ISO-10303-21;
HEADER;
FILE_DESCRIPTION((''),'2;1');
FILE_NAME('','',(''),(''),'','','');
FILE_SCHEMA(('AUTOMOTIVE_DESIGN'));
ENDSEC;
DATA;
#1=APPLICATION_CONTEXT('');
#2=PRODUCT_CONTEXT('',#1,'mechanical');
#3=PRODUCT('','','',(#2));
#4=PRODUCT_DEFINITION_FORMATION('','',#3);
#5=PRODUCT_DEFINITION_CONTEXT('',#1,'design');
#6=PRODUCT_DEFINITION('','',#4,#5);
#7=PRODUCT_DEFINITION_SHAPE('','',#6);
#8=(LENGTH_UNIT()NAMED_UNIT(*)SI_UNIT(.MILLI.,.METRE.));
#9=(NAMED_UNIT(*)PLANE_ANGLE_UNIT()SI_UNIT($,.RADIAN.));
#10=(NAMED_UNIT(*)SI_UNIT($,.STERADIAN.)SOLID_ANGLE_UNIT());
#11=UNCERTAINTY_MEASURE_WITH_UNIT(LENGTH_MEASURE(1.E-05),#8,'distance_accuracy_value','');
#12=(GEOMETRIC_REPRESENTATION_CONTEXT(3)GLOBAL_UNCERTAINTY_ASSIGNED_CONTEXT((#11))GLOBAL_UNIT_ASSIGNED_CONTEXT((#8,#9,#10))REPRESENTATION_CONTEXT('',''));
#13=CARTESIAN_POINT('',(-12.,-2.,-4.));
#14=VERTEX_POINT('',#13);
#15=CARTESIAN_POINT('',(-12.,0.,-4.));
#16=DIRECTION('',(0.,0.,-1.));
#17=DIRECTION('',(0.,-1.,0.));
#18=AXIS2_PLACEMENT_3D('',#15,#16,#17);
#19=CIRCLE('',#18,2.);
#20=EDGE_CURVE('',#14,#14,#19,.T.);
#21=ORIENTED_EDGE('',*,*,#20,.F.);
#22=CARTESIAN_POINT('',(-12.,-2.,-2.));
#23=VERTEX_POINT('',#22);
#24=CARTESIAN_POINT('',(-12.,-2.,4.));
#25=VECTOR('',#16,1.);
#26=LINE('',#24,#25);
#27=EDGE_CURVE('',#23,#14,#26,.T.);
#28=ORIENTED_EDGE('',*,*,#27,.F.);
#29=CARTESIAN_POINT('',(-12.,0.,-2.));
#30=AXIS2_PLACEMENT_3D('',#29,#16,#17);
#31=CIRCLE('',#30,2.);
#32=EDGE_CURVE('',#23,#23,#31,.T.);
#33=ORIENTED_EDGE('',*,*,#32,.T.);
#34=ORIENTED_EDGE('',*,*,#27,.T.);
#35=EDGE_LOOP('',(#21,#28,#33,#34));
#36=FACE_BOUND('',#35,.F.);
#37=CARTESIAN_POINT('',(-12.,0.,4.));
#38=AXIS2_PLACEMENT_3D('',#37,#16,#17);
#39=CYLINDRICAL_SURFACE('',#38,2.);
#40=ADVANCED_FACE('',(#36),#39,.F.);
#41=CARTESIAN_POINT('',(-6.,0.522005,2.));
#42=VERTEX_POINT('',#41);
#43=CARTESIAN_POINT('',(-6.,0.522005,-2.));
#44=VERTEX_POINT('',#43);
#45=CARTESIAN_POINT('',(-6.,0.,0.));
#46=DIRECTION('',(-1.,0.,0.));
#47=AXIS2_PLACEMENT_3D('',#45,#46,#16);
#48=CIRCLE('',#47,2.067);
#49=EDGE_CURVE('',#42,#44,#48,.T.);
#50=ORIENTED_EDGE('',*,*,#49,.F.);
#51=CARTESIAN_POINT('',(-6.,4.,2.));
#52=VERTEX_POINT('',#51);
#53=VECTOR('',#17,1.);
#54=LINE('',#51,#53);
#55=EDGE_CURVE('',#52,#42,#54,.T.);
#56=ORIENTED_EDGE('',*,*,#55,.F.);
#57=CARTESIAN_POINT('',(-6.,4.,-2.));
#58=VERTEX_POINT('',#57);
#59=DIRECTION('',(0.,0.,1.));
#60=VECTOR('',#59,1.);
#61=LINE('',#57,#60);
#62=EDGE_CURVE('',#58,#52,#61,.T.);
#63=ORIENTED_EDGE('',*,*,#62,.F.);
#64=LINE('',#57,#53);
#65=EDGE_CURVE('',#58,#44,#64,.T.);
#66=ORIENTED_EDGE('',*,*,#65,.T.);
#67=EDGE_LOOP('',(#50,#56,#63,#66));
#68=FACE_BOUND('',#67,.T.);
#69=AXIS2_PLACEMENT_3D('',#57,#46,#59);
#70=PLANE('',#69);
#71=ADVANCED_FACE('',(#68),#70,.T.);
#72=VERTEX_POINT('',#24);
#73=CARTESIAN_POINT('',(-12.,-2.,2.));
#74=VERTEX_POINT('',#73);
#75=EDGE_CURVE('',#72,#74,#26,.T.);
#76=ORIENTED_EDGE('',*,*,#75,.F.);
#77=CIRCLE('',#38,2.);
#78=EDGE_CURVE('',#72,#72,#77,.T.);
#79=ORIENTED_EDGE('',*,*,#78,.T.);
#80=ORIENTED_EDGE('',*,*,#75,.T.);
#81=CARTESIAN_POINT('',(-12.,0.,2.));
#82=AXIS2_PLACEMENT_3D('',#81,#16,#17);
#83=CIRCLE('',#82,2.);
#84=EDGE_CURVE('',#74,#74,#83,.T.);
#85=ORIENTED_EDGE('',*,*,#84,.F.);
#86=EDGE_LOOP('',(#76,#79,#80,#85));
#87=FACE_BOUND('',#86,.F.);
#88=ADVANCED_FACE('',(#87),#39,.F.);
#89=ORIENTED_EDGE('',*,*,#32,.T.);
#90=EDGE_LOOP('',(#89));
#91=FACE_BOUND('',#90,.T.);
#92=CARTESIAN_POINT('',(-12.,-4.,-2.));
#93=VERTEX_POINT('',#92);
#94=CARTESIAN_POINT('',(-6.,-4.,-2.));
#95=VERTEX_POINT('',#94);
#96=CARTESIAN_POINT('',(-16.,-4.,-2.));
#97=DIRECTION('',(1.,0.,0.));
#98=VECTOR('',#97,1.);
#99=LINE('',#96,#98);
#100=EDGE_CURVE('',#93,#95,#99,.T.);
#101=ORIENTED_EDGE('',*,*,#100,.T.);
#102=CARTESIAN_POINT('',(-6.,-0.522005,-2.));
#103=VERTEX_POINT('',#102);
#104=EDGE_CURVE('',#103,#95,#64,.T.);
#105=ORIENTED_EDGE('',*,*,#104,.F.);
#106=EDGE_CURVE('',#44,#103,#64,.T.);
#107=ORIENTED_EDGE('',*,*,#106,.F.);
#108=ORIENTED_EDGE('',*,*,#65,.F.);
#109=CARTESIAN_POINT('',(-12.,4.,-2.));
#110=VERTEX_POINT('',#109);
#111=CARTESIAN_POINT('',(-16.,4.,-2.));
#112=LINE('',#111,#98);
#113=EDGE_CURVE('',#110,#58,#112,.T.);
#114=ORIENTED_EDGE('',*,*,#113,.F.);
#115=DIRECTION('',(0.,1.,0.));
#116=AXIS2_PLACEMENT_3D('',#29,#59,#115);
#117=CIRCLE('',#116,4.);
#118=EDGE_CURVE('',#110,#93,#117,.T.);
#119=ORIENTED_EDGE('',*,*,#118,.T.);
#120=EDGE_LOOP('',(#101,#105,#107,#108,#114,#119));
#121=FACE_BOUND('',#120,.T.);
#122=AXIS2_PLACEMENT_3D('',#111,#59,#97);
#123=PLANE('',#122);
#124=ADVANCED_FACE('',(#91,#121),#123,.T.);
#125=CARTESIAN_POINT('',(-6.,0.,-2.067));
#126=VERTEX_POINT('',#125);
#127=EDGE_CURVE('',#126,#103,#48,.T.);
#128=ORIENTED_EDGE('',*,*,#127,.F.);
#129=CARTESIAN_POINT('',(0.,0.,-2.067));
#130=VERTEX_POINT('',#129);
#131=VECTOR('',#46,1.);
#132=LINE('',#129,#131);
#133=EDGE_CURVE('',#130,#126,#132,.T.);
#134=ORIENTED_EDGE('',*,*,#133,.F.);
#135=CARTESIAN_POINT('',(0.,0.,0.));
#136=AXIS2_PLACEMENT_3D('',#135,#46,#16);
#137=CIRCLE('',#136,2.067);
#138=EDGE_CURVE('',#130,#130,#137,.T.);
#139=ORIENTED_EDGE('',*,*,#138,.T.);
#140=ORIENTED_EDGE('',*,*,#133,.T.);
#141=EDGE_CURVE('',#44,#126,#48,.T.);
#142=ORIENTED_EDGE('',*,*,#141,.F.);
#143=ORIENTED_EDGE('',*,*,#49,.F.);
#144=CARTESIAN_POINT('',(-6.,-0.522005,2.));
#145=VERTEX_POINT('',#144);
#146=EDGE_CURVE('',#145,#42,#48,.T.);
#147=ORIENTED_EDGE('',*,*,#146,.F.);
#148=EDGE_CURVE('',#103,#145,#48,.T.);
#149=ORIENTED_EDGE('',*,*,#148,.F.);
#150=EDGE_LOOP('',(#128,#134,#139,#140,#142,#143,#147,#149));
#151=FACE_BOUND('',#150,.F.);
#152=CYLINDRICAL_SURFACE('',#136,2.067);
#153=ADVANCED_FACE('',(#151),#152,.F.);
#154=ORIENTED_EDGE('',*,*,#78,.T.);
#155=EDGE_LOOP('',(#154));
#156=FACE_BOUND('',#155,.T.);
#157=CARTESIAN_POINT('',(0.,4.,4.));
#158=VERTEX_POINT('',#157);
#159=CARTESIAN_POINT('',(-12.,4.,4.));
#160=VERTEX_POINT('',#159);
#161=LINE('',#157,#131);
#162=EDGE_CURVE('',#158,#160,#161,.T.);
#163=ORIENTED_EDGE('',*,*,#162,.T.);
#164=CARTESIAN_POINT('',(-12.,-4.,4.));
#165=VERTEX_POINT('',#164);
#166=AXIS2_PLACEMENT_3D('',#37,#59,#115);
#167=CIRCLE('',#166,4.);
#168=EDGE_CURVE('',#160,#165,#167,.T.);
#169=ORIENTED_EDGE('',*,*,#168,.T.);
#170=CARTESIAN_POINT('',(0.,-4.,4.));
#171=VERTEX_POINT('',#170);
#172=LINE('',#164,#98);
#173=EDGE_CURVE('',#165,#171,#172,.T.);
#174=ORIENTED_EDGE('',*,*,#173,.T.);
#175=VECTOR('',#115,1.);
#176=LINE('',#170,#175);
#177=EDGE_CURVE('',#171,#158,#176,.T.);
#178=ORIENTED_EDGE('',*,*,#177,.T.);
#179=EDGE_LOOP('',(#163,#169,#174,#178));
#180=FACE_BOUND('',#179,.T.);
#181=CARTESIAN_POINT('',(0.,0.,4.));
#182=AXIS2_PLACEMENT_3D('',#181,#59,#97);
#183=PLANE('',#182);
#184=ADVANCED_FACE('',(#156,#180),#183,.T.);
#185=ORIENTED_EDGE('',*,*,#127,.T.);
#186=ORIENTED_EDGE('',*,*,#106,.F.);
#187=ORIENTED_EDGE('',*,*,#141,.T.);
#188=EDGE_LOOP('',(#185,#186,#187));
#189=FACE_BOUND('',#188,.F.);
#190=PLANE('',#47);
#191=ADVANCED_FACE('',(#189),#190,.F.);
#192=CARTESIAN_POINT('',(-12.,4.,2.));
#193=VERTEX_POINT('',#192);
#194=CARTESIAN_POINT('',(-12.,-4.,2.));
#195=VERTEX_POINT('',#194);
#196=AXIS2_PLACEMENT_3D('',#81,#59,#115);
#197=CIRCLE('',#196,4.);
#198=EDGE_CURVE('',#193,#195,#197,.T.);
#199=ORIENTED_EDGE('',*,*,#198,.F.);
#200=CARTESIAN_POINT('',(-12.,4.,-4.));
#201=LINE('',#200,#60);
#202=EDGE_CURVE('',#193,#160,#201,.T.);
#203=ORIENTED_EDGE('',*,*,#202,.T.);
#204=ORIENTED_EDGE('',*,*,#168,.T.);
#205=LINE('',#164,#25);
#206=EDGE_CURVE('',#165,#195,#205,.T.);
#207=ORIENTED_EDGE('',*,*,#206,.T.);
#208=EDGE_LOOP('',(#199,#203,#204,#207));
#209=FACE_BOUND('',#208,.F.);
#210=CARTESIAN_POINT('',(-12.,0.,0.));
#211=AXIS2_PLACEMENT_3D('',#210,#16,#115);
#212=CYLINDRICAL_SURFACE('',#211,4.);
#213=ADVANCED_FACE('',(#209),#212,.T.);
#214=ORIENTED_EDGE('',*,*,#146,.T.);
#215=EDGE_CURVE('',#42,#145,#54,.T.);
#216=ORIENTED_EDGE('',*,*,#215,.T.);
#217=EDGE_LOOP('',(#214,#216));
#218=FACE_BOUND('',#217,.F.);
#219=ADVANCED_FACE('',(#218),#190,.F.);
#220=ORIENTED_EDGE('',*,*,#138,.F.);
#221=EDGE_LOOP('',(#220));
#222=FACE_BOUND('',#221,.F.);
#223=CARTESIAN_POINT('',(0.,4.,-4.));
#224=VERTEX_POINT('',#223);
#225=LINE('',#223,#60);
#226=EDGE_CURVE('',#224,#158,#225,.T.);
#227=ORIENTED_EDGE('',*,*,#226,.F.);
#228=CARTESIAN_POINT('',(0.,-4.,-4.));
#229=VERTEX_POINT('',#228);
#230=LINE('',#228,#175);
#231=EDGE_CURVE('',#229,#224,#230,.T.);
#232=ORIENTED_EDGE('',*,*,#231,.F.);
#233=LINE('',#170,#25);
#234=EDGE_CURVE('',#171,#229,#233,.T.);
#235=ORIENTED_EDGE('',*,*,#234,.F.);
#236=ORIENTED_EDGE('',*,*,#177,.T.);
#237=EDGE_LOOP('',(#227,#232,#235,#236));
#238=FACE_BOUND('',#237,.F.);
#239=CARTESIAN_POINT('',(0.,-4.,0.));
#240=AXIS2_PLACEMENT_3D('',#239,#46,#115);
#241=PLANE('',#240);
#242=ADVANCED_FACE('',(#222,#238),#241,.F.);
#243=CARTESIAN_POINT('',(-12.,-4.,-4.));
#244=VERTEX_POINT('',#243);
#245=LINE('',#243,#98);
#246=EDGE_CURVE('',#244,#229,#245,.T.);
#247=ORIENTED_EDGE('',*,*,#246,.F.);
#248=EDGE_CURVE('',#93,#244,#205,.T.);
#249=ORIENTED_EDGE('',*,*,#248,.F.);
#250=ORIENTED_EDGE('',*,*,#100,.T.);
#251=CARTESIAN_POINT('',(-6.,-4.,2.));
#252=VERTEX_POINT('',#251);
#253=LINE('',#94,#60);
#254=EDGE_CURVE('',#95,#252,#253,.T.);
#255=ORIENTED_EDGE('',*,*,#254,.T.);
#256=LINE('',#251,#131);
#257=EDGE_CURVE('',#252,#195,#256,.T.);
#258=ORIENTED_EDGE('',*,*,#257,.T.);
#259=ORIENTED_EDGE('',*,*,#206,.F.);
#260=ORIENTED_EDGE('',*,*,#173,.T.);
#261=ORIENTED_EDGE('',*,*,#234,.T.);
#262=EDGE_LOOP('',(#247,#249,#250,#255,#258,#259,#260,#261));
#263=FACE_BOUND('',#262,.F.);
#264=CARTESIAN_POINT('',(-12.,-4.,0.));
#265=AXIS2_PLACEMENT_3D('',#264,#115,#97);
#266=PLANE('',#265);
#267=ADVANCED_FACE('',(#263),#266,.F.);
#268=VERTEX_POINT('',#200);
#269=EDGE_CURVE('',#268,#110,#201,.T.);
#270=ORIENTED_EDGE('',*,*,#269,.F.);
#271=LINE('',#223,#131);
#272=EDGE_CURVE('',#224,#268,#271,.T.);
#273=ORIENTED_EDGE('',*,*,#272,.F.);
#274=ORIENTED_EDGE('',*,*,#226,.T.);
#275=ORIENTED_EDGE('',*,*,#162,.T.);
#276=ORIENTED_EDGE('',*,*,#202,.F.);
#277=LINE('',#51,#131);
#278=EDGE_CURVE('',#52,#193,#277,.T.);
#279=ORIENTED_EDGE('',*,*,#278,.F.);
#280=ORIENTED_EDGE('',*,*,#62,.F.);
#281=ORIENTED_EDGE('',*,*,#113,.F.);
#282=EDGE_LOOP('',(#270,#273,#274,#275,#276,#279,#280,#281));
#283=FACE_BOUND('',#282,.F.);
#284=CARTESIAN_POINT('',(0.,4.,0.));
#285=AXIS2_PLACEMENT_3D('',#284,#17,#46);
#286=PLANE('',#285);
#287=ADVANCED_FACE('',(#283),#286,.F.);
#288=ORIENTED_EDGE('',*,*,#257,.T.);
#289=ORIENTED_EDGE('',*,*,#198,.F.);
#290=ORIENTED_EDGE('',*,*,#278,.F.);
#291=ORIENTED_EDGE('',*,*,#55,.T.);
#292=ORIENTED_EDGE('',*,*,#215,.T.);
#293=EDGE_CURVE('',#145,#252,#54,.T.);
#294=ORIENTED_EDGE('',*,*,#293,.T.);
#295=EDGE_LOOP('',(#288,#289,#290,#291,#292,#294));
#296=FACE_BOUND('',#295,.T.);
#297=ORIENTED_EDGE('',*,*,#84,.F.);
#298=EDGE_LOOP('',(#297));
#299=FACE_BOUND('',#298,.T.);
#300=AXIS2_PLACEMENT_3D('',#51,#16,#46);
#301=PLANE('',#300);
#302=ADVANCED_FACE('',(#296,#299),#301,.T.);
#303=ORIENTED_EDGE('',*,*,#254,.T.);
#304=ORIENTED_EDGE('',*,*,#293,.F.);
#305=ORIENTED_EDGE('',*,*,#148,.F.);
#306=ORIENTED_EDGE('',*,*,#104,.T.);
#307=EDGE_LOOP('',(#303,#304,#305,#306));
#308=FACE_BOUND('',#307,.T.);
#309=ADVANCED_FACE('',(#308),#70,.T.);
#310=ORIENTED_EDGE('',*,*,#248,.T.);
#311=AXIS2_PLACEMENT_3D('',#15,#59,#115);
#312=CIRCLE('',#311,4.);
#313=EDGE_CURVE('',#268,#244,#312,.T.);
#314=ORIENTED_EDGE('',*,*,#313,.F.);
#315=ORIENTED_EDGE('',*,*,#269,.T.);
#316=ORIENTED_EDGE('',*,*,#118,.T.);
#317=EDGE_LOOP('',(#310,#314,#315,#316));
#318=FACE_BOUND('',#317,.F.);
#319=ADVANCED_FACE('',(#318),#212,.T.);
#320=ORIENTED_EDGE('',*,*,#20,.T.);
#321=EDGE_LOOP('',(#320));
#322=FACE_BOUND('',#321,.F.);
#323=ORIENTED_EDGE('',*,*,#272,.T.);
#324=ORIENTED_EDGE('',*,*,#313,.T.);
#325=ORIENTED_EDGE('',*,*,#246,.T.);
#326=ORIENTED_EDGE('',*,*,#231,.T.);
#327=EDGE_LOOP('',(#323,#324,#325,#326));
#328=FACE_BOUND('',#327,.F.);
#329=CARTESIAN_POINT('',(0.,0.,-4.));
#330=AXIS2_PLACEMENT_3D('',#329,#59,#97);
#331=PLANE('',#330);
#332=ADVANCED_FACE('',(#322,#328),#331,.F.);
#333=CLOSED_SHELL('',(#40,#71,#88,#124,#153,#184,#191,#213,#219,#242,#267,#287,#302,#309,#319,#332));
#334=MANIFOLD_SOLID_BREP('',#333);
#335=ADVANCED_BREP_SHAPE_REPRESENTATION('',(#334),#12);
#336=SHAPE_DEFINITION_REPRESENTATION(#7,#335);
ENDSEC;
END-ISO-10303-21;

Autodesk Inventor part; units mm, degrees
ref_plane "YZ Plane" through (0, 0, 0) normal (1, 0, 0) x (0, 1, 0)
ref_plane "XZ Plane" through (0, 0, 0) normal (0, 1, 0) x (-1, 0, 0)
ref_plane "XY Plane" through (0, 0, 0) normal (0, 0, 1) x (1, 0, 0)
sketch "Sketch1" plane through (0, 0, 0) normal (0, 0, 1) x (1, 0, 0)
  line L0 (0, 4) -> (-12, 4)
  line L1 (-12, -4) -> (0, -4)
  line L2 (0, -4) -> (0, 4)
  arc A0 (-12, 4) -> (-12, -4) centre (-12, 0) ccw
  point P0 (0, 0)
  point P1 (0, 0)
  dimension "d0" = 4
  dimension "d1" = 12
  dimension "d2" = 8
extrude "Extrusion1" add sketch "Sketch1" along normal mid plane 8
sketch "Sketch3" plane through (0, 0, 4) normal (0, 0, 1) x (1, 0, 0)
  arc A0 (-12, 4) -> (-12, -4) centre (-12, 0) ccw projected
  point P0 (0, 0)
  point P1 (-12, 0)
hole "Hole1" at (-12, 0, 4) direction (0, 0, -1) diameter 4 depth 8
sketch "Sketch2" plane through (-12, 4, 4) normal (0, 1, 0) x (1, 0, 0)
  line L0 (-4, 6) -> (6, 6)
  line L1 (6, 6) -> (6, 2)
  line L2 (6, 2) -> (-4, 2)
  line L3 (-4, 2) -> (-4, 6)
  line L4 (12, 8) -> (12, 0) projected
  line L5 (-4, 8) -> (-4, 0) projected
  point P0 (12, 4)
  point P1 (12, 4)
  point P2 (-4, 4)
  dimension "d5" = 10
  dimension "d6" = 4
extrude "Extrusion2" cut sketch "Sketch2" against normal up to surface (8 mm away)
sketch "Sketch4" plane through (0, -4, 4) normal (1, 0, 0) x (0, 0, -1)
  point P0 (4, 4)
  point P1 (4, 4)
hole "Hole2" at (0, 0, 0) direction (-1, 0, 0) diameter 4.134 depth 6 thread size "M5x0.8" class "6H" standard "ISO Metric profile"
properties part number "207 part 2"
